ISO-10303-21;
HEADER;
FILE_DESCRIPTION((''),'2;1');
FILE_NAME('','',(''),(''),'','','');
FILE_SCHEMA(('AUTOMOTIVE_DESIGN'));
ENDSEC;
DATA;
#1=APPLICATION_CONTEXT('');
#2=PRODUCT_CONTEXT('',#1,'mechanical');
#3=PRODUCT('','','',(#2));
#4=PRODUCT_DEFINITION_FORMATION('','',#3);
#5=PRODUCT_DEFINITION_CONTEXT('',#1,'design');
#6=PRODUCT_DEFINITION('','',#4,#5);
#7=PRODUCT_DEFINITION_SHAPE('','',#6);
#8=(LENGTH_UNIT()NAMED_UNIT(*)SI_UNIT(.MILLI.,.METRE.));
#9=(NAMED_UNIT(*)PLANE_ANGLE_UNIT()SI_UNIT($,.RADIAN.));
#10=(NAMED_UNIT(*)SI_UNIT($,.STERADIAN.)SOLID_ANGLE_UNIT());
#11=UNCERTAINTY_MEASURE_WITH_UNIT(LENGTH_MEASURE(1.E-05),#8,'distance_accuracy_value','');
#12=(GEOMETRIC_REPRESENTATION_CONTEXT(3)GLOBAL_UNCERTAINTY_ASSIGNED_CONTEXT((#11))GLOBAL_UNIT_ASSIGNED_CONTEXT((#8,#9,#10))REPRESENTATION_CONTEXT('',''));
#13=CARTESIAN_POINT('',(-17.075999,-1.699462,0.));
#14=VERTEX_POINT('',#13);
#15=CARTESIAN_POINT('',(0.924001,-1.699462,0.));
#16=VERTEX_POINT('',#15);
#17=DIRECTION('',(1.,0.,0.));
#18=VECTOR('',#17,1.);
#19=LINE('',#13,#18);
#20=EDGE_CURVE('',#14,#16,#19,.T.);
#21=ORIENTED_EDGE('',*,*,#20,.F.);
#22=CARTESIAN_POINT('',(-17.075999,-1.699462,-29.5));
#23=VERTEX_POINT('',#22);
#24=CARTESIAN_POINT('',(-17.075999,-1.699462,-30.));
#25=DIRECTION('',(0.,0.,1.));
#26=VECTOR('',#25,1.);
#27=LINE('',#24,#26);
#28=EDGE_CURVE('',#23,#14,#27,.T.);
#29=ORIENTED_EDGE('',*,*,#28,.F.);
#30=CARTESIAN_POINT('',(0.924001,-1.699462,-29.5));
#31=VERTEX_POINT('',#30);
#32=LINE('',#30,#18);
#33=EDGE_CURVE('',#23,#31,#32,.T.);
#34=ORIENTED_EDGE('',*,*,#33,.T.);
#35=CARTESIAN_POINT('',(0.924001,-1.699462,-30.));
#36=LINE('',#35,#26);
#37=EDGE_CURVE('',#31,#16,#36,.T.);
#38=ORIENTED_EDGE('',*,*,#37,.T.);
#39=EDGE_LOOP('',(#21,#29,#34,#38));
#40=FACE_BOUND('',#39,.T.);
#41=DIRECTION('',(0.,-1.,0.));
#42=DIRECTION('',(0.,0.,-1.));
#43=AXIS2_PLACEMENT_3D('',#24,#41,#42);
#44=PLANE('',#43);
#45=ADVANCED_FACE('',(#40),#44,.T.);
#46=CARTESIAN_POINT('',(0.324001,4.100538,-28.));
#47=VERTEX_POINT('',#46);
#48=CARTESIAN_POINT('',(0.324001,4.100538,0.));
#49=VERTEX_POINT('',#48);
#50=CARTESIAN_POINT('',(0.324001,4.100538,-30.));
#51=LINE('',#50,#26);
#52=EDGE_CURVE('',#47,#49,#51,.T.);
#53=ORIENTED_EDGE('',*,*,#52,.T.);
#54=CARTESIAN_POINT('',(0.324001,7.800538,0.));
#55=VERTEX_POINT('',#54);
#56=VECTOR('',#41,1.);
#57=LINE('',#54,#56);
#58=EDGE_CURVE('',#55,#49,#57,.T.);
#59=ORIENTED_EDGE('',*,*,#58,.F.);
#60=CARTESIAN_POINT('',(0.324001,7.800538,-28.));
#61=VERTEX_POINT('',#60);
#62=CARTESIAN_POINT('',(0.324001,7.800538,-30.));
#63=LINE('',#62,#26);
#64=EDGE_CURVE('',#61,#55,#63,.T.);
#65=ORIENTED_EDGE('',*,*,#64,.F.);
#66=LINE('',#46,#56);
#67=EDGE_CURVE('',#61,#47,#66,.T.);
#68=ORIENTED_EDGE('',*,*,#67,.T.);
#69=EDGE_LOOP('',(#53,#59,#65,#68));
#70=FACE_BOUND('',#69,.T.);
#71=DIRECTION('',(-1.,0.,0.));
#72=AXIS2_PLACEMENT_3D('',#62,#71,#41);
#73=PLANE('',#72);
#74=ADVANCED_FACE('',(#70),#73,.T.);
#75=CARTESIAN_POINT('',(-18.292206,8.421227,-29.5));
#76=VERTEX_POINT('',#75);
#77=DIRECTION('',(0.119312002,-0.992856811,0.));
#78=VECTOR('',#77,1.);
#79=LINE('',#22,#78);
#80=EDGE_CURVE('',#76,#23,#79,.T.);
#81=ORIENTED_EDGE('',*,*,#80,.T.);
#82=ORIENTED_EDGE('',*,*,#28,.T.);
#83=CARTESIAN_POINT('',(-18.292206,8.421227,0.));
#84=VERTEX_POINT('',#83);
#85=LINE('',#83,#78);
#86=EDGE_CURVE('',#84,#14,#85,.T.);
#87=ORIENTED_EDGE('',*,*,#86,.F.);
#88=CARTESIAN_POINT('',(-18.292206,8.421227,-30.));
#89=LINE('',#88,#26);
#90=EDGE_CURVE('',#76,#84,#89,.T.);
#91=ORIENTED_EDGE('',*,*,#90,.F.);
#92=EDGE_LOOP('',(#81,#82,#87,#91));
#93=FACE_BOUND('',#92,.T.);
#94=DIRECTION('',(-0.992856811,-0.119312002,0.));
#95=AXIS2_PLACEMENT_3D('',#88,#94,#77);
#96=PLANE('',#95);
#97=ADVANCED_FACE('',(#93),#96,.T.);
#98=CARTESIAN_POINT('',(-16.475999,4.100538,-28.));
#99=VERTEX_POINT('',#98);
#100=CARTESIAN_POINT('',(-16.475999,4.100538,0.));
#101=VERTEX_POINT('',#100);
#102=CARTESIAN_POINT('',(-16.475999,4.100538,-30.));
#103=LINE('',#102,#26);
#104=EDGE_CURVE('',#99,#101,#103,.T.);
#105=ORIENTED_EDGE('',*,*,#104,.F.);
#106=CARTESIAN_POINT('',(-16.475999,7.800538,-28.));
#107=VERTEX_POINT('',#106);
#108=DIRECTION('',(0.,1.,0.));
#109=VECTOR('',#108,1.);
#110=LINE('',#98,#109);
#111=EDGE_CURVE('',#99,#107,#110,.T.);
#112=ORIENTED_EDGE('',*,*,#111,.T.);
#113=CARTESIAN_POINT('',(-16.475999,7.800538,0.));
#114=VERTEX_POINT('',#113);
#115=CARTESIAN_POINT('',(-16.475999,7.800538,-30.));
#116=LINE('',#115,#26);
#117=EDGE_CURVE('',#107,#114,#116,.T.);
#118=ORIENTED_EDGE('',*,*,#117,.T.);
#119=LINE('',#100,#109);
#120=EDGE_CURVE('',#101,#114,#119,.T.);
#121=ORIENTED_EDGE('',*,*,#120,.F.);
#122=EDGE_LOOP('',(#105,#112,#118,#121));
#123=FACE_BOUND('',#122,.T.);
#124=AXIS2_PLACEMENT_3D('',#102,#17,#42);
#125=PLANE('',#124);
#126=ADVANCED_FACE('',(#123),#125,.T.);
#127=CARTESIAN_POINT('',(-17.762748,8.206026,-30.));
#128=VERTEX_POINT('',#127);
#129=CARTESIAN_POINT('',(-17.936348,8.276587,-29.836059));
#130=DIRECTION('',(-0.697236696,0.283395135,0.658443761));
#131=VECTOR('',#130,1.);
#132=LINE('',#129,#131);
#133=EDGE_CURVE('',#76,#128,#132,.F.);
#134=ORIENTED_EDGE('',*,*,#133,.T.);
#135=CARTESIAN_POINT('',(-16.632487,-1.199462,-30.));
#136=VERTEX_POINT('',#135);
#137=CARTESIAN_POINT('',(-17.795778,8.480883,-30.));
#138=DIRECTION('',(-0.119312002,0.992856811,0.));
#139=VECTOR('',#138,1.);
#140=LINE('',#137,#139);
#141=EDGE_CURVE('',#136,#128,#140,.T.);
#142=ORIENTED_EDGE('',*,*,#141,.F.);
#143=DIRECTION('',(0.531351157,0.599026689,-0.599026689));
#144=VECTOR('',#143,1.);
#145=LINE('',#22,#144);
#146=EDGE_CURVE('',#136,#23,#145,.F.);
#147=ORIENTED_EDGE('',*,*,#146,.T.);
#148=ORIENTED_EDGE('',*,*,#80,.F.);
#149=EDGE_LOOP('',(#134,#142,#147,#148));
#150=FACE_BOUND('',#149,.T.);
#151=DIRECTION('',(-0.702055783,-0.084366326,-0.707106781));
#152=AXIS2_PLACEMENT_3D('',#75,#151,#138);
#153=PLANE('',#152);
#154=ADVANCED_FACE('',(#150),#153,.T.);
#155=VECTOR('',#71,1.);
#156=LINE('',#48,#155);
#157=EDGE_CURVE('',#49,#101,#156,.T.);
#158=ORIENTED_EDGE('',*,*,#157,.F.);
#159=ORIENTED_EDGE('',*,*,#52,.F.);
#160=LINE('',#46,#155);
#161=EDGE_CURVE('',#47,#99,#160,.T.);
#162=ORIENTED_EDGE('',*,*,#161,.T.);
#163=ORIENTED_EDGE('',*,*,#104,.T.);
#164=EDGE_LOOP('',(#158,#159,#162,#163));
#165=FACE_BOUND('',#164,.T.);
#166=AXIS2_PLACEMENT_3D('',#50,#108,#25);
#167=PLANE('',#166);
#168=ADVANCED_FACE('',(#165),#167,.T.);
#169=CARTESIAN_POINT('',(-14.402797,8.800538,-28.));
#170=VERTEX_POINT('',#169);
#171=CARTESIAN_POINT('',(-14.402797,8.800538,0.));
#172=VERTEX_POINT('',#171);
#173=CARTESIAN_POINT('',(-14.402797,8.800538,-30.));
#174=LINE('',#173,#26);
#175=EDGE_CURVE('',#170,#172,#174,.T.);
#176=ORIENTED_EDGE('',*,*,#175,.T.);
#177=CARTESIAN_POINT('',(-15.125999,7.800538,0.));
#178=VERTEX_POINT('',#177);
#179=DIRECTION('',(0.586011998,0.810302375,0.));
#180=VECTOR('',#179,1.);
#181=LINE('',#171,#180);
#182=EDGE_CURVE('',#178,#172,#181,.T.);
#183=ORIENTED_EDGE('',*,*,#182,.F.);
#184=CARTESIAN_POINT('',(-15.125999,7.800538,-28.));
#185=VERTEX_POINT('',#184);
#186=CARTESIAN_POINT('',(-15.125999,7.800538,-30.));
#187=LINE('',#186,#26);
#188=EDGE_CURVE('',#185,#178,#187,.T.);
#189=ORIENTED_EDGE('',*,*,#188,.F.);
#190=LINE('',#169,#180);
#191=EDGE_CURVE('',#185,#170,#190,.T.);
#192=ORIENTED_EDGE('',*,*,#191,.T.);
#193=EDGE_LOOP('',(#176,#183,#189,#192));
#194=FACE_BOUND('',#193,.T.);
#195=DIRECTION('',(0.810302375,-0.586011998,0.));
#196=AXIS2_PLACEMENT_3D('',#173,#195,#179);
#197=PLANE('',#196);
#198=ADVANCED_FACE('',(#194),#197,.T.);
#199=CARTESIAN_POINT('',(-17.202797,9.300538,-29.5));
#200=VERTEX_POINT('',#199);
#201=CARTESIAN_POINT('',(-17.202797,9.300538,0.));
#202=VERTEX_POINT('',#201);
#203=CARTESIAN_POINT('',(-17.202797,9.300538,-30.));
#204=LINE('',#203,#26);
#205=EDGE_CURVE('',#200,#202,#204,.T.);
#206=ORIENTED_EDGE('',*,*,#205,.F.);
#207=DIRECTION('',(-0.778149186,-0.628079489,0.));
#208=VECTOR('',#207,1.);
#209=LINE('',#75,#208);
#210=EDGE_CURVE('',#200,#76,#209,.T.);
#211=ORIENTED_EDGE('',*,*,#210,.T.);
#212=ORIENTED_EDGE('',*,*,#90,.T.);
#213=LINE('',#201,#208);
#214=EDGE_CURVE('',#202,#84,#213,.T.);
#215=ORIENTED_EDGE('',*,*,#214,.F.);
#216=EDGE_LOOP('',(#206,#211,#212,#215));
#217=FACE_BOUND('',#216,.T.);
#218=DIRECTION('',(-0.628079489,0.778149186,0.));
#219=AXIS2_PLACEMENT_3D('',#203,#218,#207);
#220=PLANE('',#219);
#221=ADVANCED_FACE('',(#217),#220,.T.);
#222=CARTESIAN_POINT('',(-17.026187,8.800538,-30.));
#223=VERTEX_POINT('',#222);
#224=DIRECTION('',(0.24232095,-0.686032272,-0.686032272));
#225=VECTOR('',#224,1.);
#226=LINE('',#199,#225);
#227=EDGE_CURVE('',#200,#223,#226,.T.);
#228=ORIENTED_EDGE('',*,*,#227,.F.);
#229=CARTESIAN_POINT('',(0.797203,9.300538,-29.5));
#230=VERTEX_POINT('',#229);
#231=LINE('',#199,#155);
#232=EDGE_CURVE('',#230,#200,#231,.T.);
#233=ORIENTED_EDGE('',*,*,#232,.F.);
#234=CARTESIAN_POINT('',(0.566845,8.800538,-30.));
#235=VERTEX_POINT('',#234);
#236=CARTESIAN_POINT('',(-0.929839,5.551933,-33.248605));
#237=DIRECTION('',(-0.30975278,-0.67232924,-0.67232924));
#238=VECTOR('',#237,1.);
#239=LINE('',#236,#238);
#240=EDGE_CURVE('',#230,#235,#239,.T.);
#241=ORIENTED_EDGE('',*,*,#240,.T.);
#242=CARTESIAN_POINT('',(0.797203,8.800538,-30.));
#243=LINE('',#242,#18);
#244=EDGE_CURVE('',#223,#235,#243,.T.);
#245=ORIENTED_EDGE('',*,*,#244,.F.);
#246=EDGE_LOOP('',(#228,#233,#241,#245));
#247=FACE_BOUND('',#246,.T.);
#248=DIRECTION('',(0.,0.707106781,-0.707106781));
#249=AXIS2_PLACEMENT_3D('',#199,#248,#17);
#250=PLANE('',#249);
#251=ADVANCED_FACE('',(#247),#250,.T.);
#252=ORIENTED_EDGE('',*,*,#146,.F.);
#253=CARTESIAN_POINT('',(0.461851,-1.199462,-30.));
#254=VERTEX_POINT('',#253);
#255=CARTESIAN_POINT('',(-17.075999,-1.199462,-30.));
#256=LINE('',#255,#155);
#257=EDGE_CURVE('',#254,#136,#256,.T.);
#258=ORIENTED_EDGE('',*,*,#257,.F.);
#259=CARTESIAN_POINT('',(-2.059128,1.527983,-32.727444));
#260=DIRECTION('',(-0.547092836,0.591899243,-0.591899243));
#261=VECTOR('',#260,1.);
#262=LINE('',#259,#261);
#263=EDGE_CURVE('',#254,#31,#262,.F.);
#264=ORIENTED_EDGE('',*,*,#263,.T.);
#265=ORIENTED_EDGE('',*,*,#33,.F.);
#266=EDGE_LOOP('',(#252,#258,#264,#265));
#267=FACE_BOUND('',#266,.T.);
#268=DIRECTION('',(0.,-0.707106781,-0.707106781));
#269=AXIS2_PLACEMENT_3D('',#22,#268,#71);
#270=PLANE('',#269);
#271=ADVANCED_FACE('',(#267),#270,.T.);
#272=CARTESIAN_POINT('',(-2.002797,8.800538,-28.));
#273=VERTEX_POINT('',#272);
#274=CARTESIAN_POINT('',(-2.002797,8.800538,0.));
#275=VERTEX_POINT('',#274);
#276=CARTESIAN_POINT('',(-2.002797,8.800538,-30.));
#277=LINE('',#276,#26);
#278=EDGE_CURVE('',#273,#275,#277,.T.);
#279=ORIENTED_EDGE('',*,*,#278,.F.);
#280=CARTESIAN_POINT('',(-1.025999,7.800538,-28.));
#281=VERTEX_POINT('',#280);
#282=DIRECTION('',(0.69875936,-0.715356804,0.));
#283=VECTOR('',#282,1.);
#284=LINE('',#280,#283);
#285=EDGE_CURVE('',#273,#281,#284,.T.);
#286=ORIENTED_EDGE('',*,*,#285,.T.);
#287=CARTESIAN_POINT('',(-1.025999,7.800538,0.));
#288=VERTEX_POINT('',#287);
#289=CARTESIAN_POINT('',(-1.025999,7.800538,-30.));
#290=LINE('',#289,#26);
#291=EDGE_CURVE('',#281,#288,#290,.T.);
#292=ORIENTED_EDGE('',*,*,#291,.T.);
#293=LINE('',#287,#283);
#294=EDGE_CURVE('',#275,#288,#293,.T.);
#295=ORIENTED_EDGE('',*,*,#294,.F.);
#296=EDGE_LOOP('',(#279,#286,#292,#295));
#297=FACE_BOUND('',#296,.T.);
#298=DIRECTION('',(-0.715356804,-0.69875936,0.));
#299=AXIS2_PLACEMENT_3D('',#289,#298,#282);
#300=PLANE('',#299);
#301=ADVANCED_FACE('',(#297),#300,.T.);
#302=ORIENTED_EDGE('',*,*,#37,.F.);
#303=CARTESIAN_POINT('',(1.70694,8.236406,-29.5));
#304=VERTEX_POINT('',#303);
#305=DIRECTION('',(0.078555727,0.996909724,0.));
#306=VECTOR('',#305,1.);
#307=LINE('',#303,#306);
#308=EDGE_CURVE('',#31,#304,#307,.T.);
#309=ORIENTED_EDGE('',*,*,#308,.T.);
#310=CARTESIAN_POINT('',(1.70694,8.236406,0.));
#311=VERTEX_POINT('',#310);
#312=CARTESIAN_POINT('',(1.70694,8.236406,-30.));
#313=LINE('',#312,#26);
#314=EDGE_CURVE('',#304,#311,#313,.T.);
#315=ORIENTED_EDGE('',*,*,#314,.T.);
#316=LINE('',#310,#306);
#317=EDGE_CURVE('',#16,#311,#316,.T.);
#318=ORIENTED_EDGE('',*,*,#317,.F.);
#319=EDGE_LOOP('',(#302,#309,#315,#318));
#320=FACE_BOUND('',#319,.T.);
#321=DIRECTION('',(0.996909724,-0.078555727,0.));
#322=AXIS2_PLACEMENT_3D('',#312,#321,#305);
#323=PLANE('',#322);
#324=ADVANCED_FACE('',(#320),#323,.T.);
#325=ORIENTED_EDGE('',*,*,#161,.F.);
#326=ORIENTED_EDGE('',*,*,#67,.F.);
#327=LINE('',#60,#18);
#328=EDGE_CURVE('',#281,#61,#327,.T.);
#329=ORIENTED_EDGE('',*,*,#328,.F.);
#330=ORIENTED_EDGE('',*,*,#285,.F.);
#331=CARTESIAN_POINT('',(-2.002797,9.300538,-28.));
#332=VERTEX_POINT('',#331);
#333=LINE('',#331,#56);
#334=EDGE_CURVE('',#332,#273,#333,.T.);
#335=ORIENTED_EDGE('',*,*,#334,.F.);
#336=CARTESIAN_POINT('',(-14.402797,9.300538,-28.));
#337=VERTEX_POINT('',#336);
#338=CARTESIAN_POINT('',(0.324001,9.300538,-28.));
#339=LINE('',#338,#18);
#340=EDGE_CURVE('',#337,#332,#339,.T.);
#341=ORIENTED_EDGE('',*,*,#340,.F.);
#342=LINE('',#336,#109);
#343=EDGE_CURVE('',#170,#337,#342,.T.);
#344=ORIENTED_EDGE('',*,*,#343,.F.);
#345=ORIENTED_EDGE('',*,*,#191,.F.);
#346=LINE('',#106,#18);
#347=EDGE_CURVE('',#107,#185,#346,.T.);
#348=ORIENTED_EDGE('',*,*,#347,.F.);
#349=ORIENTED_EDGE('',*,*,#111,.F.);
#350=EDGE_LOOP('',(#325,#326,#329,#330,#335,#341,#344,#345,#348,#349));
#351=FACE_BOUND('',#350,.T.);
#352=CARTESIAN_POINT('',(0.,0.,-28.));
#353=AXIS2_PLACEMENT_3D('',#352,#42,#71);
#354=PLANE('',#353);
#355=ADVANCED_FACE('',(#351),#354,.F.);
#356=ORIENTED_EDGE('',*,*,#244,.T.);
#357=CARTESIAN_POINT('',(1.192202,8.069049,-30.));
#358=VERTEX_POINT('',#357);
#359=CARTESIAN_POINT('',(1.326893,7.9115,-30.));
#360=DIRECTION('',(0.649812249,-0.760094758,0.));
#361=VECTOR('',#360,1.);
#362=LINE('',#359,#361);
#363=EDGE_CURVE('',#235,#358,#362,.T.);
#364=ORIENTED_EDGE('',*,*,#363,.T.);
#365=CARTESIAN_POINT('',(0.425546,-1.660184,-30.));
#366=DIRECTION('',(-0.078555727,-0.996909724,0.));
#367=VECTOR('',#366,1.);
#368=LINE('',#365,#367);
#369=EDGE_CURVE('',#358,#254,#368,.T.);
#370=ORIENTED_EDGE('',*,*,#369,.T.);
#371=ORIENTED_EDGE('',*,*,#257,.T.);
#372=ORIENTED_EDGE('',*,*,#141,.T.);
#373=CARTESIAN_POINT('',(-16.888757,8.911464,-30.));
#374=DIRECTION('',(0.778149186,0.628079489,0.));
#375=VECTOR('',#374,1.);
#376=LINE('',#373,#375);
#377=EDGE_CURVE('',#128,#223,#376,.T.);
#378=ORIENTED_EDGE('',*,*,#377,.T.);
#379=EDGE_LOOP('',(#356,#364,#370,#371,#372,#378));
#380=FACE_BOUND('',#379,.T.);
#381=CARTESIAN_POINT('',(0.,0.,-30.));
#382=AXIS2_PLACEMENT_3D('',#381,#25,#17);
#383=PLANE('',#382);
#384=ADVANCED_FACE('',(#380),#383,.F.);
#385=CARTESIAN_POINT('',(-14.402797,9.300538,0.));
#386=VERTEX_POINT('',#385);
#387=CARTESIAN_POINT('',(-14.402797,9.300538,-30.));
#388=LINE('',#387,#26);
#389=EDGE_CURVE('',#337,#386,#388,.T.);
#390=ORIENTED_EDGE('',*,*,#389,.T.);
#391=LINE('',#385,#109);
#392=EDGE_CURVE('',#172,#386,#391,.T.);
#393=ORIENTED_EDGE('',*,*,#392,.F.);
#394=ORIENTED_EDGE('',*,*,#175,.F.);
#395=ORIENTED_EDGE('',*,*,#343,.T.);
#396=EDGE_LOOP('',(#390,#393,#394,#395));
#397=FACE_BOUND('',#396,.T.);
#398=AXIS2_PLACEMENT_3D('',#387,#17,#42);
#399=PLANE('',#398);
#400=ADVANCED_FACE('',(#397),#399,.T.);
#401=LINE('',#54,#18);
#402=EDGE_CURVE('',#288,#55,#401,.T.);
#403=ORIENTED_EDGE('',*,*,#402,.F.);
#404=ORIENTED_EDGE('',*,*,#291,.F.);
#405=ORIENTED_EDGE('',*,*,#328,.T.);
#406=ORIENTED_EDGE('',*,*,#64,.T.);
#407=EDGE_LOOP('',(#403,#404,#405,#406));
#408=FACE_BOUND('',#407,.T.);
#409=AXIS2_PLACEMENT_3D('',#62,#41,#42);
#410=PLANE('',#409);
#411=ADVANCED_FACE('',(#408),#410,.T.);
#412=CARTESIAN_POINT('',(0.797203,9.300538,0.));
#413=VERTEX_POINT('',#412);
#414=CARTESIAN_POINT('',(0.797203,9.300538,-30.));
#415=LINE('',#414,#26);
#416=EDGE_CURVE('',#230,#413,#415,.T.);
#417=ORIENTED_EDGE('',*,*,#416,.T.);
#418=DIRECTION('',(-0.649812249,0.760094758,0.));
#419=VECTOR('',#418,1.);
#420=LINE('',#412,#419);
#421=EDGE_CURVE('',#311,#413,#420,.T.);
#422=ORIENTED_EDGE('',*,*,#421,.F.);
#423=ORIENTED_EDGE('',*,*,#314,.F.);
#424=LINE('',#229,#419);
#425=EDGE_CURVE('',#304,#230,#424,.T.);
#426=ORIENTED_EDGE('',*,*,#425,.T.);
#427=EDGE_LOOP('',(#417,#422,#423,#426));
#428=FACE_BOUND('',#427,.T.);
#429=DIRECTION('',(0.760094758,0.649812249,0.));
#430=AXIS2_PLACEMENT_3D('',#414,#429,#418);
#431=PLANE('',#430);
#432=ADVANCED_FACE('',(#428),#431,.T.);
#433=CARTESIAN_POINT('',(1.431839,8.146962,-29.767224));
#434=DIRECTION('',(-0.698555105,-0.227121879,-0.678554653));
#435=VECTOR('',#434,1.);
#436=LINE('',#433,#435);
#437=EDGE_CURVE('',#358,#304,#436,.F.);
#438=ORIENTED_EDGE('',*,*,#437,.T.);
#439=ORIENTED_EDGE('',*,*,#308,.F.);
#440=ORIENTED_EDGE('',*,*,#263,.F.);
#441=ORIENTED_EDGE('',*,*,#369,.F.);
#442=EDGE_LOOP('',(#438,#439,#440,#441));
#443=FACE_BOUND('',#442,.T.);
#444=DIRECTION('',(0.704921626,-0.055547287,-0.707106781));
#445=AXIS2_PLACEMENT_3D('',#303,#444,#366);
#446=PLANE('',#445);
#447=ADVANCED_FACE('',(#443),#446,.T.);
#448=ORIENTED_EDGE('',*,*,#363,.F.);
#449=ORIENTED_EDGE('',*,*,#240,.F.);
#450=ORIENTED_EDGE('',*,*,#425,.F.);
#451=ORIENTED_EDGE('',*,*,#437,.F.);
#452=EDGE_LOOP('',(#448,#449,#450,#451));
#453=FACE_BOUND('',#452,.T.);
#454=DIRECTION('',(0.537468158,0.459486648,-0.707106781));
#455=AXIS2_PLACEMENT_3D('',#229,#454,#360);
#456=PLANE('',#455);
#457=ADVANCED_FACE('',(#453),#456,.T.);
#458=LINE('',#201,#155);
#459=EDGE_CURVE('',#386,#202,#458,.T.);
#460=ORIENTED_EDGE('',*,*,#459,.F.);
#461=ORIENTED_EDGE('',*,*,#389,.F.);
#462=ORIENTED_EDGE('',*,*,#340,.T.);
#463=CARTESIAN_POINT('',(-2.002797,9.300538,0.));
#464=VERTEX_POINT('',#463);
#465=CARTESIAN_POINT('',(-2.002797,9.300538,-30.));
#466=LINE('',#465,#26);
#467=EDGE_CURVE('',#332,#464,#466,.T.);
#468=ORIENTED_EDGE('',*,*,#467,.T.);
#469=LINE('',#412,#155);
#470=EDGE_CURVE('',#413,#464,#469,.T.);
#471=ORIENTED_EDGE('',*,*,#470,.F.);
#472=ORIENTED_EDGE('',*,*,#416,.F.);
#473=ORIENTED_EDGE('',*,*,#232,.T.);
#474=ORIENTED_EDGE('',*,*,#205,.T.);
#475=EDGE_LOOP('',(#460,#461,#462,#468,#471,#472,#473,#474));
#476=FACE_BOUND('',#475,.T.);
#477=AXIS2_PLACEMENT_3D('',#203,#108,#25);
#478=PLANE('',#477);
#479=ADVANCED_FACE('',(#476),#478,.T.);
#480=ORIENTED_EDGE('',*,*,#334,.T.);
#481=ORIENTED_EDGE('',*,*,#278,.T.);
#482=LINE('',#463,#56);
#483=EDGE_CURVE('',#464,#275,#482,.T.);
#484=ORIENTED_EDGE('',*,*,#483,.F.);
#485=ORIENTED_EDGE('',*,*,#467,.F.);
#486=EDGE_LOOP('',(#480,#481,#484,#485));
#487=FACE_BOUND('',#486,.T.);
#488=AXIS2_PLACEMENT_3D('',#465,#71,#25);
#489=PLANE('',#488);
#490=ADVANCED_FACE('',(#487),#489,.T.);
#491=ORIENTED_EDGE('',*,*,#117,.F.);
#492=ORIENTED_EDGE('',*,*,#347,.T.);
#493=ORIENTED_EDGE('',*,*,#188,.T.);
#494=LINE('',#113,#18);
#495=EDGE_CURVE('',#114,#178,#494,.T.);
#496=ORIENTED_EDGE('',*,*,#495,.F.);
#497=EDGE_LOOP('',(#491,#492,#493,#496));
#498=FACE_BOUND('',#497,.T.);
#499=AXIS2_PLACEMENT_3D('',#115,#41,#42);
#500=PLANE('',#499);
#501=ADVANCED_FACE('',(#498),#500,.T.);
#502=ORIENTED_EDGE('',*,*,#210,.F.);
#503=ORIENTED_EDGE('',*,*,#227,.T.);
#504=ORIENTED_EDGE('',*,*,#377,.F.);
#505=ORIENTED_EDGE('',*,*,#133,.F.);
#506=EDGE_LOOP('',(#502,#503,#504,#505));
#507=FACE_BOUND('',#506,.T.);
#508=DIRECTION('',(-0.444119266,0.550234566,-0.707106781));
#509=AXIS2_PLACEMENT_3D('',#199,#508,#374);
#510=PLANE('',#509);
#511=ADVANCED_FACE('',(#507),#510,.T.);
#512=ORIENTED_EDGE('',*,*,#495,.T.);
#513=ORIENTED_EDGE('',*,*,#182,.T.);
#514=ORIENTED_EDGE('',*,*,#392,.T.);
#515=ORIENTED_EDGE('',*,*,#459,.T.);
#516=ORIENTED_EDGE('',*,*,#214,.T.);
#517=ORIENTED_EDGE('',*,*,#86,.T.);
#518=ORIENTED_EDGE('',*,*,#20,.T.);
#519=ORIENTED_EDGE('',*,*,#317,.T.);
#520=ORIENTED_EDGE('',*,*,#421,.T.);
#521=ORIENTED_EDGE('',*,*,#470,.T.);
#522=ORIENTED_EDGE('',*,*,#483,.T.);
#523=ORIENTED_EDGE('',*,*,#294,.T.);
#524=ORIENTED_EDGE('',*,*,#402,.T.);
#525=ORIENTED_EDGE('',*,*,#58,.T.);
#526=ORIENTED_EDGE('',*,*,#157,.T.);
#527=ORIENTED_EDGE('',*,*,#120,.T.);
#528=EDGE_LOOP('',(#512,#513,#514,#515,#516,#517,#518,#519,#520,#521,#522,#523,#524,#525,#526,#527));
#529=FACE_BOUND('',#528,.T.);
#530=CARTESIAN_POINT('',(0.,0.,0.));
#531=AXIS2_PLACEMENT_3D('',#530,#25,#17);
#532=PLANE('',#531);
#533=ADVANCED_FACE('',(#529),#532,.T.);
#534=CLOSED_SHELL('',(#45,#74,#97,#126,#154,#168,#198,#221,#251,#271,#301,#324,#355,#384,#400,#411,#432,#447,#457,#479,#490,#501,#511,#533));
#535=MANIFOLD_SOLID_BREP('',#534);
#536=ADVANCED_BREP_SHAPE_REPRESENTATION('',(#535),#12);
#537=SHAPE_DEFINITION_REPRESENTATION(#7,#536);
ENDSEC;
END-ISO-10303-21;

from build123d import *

# Parameters (mm, degrees)
BOSS_EXTRUDE1_DEPTH = 30
BOSS_EXTRUDE2_DEPTH = 2
CHAMFER8_SIZE       = 0.5


with BuildPart() as part:
    # Sketch1 → Boss-Extrude1 (new body)
    with BuildSketch(Plane.XY):
        Polygon((-17.075998832, -1.699461634), (0.924001168, -1.699461634), (1.706939946, 8.236405705), (0.797202797, 9.300538366), (-2.002797203, 9.300538366), (-2.002797203, 8.800538366), (-1.025998832, 7.800538366), (0.324001168, 7.800538366), (0.324001168, 4.100538366), (-16.475998832, 4.100538366), (-16.475998832, 7.800538366), (-15.125998832, 7.800538366), (-14.402797203, 8.800538366), (-14.402797203, 9.300538366), (-17.202797203, 9.300538366), (-18.292206063, 8.421227081), align=None)
    extrude(amount=-BOSS_EXTRUDE1_DEPTH)

    # Sketch2 → Boss-Extrude2 (add)
    with BuildSketch(Plane(origin=(0, 0, -30), x_dir=(-1, 0, 0), z_dir=(0, 0, -1))):
        Polygon((2.002797203, 9.300538366), (14.402797203, 9.300538366), (16.475998832, 9.300538366), (16.475998832, 4.100538366), (-0.324001168, 4.100538366), (-0.324001168, 9.300538366), align=None)
    extrude(amount=-BOSS_EXTRUDE2_DEPTH)

    # Chamfer8
    chamfer8_edges = [part.edges().sort_by_distance(p)[0] for p in [
        (1.315470557, 3.268472036, -30),
        (1.252071371, 8.768472036, -30),
        (-8.202797203, 9.300538366, -30),
        (-17.684102447, 3.360882724, -30),
        (-17.747501633, 8.860882724, -30),
        (-8.075998832, -1.699461634, -30),
    ]]
    chamfer(chamfer8_edges, length=CHAMFER8_SIZE)


solid = part.part
